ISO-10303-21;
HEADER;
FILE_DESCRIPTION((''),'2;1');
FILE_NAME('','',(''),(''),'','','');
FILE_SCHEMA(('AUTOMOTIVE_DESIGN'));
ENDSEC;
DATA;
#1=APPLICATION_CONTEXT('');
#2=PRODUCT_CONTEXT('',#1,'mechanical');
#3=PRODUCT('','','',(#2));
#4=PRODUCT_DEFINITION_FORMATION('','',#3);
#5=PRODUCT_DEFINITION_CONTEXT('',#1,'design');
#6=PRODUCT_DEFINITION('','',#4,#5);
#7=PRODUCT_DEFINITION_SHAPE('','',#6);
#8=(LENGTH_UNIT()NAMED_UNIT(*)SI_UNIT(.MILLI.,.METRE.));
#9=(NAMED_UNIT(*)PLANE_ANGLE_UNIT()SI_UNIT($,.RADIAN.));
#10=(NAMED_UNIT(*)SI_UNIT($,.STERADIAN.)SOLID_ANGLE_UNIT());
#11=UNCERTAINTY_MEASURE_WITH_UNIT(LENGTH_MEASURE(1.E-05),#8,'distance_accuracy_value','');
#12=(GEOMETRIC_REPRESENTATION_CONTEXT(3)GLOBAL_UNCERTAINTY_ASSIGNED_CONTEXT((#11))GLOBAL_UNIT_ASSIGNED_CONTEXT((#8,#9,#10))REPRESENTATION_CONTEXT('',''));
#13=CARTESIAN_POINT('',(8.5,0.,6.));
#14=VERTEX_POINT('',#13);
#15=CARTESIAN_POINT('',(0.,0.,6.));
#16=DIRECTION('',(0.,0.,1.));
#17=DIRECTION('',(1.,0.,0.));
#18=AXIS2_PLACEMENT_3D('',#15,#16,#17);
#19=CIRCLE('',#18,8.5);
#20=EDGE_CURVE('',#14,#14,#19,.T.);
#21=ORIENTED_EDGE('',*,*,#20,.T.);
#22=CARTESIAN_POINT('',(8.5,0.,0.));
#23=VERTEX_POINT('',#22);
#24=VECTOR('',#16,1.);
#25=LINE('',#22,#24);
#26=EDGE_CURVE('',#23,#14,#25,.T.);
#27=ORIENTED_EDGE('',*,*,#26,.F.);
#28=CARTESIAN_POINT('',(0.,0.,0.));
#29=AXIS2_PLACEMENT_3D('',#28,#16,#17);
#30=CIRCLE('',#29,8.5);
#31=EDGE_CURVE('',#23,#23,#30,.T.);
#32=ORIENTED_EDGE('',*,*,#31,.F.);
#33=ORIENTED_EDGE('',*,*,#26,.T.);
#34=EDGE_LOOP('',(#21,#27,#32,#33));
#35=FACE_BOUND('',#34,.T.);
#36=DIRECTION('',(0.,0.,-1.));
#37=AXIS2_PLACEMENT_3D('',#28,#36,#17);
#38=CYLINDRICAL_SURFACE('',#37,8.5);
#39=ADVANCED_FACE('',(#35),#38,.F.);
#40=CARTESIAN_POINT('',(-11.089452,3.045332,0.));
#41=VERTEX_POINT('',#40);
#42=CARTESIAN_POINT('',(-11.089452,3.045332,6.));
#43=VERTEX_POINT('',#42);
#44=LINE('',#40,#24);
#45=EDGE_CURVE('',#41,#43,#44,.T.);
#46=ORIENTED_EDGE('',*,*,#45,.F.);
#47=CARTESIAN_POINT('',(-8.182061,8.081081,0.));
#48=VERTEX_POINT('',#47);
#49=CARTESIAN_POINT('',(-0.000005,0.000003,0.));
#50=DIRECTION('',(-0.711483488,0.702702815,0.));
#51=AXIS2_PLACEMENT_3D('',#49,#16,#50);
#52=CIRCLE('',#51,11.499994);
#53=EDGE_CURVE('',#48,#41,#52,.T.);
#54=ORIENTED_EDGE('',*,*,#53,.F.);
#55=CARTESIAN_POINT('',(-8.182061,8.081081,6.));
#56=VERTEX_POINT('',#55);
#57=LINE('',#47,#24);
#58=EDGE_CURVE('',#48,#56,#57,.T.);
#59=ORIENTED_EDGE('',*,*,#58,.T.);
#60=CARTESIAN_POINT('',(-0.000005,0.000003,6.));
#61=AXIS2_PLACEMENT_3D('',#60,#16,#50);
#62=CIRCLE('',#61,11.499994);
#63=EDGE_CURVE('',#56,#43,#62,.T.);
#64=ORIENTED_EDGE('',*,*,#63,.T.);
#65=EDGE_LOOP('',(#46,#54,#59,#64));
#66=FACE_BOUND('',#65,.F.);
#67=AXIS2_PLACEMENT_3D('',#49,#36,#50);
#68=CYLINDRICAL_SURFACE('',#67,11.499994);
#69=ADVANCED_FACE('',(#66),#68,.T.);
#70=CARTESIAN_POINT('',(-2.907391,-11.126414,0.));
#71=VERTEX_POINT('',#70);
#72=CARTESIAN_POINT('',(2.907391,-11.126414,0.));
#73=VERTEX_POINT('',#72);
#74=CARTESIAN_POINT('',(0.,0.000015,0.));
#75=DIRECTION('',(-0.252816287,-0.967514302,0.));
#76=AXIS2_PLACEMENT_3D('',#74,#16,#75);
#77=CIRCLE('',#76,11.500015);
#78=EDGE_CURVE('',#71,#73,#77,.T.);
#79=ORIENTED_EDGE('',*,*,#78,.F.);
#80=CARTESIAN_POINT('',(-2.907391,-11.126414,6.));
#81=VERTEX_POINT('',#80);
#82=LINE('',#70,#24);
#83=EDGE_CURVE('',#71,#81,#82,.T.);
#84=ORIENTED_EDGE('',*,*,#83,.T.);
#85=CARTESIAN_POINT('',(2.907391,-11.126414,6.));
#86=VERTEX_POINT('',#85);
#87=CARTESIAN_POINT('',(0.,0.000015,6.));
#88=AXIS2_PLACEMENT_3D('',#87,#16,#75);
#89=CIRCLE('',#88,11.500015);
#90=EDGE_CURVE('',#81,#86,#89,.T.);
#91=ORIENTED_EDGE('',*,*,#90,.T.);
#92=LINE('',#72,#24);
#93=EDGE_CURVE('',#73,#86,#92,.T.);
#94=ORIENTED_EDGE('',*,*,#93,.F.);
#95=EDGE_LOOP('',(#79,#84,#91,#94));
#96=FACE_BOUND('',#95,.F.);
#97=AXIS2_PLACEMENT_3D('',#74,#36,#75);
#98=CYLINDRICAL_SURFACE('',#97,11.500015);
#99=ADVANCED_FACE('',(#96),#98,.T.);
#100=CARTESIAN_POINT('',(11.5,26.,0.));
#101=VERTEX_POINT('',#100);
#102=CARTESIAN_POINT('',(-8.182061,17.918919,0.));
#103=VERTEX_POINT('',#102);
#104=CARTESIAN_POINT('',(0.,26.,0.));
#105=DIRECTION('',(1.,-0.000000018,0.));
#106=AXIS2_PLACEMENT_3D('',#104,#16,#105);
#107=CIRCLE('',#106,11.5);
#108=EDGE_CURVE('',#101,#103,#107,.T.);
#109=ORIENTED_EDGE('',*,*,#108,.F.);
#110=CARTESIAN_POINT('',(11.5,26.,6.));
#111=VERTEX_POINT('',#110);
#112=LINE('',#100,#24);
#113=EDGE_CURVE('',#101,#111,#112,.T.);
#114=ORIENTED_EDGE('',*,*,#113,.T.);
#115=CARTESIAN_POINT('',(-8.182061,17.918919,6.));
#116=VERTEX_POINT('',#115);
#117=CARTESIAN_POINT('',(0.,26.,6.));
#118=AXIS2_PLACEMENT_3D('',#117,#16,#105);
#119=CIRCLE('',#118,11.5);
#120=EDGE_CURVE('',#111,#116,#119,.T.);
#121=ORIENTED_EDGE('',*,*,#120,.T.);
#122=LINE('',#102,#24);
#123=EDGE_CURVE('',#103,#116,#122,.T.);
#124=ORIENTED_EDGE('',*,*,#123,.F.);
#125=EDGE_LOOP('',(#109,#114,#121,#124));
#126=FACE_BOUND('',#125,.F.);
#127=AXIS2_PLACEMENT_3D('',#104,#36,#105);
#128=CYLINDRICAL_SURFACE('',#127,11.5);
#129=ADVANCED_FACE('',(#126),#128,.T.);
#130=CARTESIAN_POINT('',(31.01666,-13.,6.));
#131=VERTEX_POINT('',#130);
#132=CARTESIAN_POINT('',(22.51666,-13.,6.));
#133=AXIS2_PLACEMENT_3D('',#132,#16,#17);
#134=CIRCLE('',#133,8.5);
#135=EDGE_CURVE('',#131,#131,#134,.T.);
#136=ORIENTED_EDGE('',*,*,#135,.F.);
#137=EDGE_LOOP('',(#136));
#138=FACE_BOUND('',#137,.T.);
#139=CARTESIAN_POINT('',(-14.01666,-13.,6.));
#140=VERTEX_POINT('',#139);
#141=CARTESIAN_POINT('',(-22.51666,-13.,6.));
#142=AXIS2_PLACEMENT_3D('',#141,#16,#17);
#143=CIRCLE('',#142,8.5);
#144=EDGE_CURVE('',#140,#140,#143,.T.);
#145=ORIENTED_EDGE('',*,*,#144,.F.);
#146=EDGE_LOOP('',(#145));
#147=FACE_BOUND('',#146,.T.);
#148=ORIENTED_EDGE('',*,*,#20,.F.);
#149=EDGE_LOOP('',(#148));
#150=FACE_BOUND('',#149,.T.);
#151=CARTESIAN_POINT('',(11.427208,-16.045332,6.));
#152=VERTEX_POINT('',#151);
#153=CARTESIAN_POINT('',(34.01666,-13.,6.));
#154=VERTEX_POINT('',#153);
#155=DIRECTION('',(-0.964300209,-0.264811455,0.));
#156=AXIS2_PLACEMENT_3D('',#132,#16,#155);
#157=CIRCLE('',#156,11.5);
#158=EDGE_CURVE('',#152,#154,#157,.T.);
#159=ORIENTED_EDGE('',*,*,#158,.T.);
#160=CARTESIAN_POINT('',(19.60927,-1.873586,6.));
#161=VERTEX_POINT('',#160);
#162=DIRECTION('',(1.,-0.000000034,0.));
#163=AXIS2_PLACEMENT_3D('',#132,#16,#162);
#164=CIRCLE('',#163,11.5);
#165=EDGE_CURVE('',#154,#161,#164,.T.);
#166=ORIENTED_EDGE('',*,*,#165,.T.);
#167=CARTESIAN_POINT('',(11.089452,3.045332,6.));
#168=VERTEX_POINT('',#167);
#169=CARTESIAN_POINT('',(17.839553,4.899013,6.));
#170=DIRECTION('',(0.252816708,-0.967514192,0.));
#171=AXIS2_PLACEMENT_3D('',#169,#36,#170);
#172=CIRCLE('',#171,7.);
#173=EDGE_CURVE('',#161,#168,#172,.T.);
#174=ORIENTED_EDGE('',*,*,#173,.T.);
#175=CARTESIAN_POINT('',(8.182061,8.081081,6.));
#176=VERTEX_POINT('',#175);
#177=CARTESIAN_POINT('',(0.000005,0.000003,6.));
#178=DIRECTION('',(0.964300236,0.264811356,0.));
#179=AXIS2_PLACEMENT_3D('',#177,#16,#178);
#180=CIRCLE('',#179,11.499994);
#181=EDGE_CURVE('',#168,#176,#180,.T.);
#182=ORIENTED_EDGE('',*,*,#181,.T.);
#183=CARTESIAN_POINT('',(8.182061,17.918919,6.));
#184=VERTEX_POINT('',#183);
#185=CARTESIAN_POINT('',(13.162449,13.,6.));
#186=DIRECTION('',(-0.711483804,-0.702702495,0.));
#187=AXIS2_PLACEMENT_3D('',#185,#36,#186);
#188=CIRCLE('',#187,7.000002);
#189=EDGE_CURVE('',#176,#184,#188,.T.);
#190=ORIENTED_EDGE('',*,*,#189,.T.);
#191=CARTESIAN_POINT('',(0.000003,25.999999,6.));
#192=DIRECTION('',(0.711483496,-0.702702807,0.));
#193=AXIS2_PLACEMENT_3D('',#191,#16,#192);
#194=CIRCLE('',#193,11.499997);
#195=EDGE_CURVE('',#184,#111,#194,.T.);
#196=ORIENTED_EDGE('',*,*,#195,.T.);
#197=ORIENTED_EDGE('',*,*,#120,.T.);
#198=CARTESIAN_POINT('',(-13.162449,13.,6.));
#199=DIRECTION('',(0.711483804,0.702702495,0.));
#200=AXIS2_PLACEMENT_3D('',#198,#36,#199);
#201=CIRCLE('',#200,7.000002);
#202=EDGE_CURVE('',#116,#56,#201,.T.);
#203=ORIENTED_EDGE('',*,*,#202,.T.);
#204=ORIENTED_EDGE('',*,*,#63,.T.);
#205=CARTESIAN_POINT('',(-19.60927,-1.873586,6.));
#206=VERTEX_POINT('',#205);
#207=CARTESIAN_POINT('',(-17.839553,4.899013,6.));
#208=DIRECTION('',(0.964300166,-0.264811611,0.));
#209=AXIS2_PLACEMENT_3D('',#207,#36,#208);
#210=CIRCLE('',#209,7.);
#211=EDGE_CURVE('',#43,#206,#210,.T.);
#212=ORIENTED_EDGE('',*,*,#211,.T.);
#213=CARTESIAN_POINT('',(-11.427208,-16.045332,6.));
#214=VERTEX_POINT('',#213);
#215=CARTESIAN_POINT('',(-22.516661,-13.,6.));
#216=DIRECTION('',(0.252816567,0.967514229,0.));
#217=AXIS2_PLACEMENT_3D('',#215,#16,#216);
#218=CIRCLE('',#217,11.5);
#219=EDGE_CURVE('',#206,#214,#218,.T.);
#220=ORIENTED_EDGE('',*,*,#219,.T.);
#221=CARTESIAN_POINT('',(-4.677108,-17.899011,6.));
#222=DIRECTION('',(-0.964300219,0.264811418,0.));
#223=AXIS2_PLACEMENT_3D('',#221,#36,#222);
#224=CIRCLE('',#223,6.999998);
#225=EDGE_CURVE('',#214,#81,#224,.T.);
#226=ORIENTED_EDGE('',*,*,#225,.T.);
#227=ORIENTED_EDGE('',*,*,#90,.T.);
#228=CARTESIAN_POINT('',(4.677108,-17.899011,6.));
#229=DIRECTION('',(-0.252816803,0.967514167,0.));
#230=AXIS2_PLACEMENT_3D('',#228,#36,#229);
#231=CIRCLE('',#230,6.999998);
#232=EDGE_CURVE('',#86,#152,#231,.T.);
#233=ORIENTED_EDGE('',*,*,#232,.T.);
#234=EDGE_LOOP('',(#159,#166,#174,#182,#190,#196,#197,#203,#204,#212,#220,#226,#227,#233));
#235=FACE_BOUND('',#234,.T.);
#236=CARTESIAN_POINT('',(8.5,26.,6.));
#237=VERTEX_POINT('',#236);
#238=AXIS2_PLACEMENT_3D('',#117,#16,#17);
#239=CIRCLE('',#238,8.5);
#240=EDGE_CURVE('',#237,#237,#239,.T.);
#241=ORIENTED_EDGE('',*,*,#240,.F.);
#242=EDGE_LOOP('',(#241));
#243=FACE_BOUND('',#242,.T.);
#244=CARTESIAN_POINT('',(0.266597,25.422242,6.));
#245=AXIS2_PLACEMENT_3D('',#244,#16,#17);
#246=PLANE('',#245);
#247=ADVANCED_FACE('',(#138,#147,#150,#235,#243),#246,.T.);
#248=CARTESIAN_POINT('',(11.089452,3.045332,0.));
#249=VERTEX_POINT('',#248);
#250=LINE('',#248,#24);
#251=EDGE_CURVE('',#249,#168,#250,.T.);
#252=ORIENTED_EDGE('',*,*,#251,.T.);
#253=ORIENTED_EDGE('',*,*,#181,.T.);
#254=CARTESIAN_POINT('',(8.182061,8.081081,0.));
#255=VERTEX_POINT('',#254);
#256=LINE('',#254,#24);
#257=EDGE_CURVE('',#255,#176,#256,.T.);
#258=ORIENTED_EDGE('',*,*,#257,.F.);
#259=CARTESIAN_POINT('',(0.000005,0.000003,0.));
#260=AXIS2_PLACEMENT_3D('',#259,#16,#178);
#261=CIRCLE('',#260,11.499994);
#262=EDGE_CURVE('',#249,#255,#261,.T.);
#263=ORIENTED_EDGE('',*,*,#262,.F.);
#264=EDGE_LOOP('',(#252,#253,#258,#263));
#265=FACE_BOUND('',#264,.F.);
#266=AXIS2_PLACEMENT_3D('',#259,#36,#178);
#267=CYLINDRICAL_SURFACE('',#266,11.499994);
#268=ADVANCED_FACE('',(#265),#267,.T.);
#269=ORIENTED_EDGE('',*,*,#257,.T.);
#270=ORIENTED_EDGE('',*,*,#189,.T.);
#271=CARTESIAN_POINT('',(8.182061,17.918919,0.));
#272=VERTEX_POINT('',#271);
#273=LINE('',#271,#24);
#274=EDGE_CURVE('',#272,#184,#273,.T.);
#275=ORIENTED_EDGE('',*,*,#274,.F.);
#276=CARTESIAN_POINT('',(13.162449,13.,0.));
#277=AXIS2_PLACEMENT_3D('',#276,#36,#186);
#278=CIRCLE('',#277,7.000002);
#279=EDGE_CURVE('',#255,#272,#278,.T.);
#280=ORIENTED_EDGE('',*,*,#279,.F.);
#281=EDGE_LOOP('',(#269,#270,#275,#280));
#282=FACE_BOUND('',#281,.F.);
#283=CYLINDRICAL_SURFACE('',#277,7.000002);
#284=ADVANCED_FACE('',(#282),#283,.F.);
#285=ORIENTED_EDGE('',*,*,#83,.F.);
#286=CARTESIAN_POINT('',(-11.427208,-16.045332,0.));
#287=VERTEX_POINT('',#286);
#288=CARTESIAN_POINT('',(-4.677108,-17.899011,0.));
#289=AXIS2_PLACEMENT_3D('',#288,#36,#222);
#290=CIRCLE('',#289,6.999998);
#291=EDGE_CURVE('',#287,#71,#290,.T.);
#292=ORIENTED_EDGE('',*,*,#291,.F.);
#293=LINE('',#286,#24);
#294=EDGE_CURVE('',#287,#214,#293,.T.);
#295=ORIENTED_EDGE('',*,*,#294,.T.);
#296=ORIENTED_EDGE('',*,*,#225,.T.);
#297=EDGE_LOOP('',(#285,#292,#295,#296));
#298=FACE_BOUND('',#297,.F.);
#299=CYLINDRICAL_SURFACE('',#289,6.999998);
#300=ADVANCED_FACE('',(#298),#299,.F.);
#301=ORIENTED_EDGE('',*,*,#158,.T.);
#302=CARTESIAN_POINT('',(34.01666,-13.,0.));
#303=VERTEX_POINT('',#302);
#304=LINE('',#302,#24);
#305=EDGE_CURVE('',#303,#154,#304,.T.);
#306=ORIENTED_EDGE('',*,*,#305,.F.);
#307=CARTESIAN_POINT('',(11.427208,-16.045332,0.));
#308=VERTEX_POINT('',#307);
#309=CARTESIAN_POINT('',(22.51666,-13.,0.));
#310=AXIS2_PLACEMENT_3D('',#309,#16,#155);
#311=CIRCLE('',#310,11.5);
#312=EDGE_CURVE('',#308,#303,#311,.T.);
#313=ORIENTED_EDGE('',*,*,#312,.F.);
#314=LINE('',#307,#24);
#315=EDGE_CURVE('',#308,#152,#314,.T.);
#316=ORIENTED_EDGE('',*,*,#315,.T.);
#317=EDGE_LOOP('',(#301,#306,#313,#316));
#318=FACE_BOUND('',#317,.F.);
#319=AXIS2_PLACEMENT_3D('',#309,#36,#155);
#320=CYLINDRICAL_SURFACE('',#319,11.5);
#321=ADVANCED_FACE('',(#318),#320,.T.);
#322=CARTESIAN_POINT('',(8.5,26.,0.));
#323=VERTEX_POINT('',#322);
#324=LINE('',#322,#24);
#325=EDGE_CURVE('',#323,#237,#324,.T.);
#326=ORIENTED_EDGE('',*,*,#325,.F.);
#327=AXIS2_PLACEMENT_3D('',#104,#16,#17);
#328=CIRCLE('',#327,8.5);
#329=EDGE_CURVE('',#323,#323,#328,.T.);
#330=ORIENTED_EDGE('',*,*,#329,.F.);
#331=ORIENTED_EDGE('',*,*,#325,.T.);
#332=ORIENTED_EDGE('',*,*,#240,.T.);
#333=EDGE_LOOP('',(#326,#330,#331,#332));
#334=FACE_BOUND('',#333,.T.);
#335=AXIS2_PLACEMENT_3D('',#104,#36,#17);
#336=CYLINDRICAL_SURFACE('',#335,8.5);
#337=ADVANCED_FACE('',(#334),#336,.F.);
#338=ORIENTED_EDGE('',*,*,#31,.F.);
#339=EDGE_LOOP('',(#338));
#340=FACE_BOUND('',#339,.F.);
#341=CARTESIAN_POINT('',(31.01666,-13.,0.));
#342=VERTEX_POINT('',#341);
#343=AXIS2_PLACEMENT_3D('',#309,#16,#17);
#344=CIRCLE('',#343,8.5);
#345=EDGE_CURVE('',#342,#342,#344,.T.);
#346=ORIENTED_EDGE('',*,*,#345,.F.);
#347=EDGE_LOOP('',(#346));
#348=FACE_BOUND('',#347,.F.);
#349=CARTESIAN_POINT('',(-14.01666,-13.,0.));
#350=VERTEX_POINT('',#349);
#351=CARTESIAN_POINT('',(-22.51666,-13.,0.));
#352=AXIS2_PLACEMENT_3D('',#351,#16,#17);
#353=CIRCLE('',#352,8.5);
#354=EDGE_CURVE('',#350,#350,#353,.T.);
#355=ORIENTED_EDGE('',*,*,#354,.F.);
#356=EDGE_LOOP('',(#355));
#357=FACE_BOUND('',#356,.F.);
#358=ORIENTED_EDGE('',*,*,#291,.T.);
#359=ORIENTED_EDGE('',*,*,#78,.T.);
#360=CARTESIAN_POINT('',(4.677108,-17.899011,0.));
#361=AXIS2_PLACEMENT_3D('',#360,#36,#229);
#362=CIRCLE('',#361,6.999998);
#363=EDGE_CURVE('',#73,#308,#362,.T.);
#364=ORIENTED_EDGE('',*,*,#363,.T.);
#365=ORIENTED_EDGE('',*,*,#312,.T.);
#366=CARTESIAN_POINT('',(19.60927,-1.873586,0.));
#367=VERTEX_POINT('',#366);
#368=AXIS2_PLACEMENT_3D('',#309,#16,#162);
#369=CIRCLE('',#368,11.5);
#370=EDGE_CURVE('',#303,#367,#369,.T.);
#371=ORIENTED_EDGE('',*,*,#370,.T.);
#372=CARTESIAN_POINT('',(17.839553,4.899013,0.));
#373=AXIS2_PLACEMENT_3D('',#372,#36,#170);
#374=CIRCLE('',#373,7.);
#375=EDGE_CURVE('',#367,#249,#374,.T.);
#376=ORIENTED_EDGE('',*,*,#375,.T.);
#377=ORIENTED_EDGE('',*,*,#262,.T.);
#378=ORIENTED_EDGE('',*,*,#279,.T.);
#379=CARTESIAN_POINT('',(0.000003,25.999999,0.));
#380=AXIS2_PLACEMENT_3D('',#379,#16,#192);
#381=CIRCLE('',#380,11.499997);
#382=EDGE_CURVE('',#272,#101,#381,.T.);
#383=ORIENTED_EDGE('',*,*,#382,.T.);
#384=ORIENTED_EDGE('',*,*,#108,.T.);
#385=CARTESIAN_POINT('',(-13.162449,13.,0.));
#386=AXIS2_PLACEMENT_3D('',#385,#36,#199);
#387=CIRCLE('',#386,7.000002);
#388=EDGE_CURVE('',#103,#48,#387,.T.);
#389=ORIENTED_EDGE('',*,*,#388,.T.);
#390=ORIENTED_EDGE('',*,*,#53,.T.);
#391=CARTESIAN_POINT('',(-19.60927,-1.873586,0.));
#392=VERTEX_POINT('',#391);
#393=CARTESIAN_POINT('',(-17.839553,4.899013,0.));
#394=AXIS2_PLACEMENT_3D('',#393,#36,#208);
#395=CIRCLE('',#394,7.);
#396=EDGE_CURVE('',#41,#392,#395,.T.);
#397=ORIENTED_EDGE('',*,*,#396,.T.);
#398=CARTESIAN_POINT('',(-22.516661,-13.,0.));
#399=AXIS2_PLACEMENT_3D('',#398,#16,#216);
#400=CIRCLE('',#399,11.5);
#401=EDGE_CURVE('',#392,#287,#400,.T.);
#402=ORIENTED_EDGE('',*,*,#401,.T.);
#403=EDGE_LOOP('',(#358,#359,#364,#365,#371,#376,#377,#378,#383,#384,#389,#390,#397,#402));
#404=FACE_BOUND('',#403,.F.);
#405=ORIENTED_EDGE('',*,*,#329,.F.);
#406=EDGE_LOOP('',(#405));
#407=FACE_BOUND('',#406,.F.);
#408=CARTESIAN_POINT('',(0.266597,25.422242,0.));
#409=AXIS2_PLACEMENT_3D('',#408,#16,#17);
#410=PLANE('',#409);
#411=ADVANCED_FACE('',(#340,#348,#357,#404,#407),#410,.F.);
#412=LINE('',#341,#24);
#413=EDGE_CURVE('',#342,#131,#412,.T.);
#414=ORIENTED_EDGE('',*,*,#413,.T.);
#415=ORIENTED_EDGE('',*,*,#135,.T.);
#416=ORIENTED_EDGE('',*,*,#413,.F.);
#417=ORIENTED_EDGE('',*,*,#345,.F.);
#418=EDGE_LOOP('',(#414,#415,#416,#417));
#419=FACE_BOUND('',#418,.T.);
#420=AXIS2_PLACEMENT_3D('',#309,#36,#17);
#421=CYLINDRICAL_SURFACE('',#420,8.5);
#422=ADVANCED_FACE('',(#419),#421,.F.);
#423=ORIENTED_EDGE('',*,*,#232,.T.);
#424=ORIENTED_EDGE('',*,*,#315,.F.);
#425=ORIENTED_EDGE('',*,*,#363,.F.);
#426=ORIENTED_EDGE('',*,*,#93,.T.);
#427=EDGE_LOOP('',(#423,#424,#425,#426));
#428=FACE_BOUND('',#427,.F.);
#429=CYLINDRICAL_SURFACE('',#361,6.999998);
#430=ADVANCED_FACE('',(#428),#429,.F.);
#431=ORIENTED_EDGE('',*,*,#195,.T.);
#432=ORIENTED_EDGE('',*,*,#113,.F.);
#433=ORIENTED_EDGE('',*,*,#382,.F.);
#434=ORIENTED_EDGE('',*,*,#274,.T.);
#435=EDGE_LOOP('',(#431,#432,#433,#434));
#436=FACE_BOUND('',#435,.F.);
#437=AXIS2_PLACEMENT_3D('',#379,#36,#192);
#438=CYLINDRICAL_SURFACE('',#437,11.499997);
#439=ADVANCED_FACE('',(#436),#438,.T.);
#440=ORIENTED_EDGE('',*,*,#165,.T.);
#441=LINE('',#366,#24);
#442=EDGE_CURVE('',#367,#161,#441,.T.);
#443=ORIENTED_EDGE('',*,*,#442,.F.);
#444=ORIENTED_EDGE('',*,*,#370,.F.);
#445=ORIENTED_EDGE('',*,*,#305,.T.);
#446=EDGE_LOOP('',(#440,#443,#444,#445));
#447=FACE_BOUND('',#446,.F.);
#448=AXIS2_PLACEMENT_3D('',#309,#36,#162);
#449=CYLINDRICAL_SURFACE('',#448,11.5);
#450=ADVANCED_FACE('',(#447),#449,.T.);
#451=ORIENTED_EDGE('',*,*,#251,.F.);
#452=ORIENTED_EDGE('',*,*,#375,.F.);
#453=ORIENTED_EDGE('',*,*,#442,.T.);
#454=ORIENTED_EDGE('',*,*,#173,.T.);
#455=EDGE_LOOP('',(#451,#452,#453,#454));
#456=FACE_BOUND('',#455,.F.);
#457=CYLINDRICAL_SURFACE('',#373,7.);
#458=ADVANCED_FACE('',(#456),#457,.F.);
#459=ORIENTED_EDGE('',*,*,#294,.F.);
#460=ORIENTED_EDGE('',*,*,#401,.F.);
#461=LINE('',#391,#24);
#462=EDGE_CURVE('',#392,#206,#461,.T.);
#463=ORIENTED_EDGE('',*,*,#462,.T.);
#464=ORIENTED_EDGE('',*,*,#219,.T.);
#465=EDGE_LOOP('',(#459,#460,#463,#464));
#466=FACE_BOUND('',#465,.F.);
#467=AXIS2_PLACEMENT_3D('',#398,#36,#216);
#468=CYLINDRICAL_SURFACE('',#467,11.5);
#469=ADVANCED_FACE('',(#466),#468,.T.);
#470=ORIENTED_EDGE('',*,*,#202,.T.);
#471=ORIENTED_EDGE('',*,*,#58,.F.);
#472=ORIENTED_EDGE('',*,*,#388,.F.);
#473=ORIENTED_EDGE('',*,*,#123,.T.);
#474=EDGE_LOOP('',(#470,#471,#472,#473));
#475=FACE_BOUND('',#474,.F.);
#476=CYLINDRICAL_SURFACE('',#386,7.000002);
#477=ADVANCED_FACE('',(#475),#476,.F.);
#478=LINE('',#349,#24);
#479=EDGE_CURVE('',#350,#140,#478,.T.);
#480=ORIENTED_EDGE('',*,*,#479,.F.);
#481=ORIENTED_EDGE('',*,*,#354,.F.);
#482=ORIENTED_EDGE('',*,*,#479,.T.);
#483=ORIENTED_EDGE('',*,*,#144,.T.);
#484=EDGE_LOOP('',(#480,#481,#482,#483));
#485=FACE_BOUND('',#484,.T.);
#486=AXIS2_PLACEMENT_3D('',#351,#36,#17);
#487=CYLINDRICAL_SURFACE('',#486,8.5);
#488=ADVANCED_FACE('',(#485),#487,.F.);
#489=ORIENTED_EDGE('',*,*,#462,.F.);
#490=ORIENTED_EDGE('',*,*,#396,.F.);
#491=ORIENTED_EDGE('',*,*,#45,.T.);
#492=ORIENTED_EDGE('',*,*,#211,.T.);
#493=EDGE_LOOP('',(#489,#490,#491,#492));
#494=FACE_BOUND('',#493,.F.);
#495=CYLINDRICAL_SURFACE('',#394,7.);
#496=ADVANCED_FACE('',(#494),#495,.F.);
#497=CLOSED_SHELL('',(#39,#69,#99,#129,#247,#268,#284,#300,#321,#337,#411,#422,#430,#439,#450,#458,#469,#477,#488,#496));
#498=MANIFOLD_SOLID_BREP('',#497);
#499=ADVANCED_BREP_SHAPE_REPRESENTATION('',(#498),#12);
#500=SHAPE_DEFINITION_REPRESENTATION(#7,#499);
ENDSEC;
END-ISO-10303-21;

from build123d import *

# Parameters (mm, degrees)
F0_R     = 8.5
F1_DEPTH = 6


with BuildPart() as f1:
    # F0 (on Top) → F1 (new body)
    with BuildSketch(Plane.XY):
        with BuildLine():
            ThreePointArc((8.182061, 17.918919), (10.638226, 21.632146), (11.5, 26))
            ThreePointArc((11.5, 26), (-4.367854, 36.638226), (-8.182061, 17.918919))
            ThreePointArc((-8.182061, 17.918919), (0, 14.5), (8.182061, 17.918919))
        make_face()
        with Locations((0, 26)):
            Circle(F0_R, mode=Mode.SUBTRACT)
        with BuildLine():
            ThreePointArc((8.182061, 17.918919), (0, 14.5), (-8.182061, 17.918919))
            ThreePointArc((-8.182061, 17.918919), (-6.162447, 13), (-8.182061, 8.081081))
            ThreePointArc((-8.182061, 8.081081), (0, 11.5), (8.182061, 8.081081))
            ThreePointArc((8.182061, 8.081081), (6.162447, 13), (8.182061, 17.918919))
        make_face()
        with BuildLine():
            ThreePointArc((8.182061, 8.081081), (0, 11.5), (-8.182061, 8.081081))
            ThreePointArc((-8.182061, 8.081081), (-9.959292, 5.75), (-11.089452, 3.045332))
            ThreePointArc((-11.089452, 3.045332), (-9.959292, -5.75), (-2.907391, -11.126414))
            ThreePointArc((-2.907391, -11.126414), (0, -11.5), (2.907391, -11.126414))
            ThreePointArc((2.907391, -11.126414), (9.101785, -7.029047), (11.5, 0))
            ThreePointArc((11.5, 0), (11.396901, 1.536441), (11.089452, 3.045332))
            ThreePointArc((11.089452, 3.045332), (9.959292, 5.75), (8.182061, 8.081081))
        make_face()
        Circle(F0_R, mode=Mode.SUBTRACT)
        with BuildLine():
            ThreePointArc((-2.907391, -11.126414), (-9.959292, -5.75), (-11.089452, 3.045332))
            ThreePointArc((-11.089452, 3.045332), (-14.339554, -1.163165), (-19.60927, -1.873586))
            ThreePointArc((-19.60927, -1.873586), (-13.414875, -5.970953), (-11.01666, -13))
            ThreePointArc((-11.01666, -13), (-11.11976, -14.536441), (-11.427208, -16.045332))
            ThreePointArc((-11.427208, -16.045332), (-8.177107, -11.836835), (-2.907391, -11.126414))
        make_face()
        with BuildLine():
            ThreePointArc((-11.01666, -13), (-13.414875, -5.970953), (-19.60927, -1.873586))
            ThreePointArc((-19.60927, -1.873586), (-32.475953, -18.75), (-11.427208, -16.045332))
            ThreePointArc((-11.427208, -16.045332), (-11.11976, -14.536441), (-11.01666, -13))
        make_face()
        with Locations((-22.51666, -13)):
            Circle(F0_R, mode=Mode.SUBTRACT)
        with BuildLine():
            ThreePointArc((19.60927, -1.873586), (14.339554, -1.163165), (11.089452, 3.045332))
            ThreePointArc((11.089452, 3.045332), (11.396901, 1.536441), (11.5, 0))
            ThreePointArc((11.5, 0), (9.101785, -7.029047), (2.907391, -11.126414))
            ThreePointArc((2.907391, -11.126414), (8.177107, -11.836835), (11.427208, -16.045332))
            ThreePointArc((11.427208, -16.045332), (12.557368, -7.25), (19.60927, -1.873586))
        make_face()
        with BuildLine():
            ThreePointArc((34.01666, -13), (29.545708, -3.898215), (19.60927, -1.873586))
            ThreePointArc((19.60927, -1.873586), (12.557368, -7.25), (11.427208, -16.045332))
            ThreePointArc((11.427208, -16.045332), (24.053101, -24.396901), (34.01666, -13))
        make_face()
        with Locations((22.51666, -13)):
            Circle(F0_R, mode=Mode.SUBTRACT)
    extrude(amount=F1_DEPTH)


solid = f1.part
